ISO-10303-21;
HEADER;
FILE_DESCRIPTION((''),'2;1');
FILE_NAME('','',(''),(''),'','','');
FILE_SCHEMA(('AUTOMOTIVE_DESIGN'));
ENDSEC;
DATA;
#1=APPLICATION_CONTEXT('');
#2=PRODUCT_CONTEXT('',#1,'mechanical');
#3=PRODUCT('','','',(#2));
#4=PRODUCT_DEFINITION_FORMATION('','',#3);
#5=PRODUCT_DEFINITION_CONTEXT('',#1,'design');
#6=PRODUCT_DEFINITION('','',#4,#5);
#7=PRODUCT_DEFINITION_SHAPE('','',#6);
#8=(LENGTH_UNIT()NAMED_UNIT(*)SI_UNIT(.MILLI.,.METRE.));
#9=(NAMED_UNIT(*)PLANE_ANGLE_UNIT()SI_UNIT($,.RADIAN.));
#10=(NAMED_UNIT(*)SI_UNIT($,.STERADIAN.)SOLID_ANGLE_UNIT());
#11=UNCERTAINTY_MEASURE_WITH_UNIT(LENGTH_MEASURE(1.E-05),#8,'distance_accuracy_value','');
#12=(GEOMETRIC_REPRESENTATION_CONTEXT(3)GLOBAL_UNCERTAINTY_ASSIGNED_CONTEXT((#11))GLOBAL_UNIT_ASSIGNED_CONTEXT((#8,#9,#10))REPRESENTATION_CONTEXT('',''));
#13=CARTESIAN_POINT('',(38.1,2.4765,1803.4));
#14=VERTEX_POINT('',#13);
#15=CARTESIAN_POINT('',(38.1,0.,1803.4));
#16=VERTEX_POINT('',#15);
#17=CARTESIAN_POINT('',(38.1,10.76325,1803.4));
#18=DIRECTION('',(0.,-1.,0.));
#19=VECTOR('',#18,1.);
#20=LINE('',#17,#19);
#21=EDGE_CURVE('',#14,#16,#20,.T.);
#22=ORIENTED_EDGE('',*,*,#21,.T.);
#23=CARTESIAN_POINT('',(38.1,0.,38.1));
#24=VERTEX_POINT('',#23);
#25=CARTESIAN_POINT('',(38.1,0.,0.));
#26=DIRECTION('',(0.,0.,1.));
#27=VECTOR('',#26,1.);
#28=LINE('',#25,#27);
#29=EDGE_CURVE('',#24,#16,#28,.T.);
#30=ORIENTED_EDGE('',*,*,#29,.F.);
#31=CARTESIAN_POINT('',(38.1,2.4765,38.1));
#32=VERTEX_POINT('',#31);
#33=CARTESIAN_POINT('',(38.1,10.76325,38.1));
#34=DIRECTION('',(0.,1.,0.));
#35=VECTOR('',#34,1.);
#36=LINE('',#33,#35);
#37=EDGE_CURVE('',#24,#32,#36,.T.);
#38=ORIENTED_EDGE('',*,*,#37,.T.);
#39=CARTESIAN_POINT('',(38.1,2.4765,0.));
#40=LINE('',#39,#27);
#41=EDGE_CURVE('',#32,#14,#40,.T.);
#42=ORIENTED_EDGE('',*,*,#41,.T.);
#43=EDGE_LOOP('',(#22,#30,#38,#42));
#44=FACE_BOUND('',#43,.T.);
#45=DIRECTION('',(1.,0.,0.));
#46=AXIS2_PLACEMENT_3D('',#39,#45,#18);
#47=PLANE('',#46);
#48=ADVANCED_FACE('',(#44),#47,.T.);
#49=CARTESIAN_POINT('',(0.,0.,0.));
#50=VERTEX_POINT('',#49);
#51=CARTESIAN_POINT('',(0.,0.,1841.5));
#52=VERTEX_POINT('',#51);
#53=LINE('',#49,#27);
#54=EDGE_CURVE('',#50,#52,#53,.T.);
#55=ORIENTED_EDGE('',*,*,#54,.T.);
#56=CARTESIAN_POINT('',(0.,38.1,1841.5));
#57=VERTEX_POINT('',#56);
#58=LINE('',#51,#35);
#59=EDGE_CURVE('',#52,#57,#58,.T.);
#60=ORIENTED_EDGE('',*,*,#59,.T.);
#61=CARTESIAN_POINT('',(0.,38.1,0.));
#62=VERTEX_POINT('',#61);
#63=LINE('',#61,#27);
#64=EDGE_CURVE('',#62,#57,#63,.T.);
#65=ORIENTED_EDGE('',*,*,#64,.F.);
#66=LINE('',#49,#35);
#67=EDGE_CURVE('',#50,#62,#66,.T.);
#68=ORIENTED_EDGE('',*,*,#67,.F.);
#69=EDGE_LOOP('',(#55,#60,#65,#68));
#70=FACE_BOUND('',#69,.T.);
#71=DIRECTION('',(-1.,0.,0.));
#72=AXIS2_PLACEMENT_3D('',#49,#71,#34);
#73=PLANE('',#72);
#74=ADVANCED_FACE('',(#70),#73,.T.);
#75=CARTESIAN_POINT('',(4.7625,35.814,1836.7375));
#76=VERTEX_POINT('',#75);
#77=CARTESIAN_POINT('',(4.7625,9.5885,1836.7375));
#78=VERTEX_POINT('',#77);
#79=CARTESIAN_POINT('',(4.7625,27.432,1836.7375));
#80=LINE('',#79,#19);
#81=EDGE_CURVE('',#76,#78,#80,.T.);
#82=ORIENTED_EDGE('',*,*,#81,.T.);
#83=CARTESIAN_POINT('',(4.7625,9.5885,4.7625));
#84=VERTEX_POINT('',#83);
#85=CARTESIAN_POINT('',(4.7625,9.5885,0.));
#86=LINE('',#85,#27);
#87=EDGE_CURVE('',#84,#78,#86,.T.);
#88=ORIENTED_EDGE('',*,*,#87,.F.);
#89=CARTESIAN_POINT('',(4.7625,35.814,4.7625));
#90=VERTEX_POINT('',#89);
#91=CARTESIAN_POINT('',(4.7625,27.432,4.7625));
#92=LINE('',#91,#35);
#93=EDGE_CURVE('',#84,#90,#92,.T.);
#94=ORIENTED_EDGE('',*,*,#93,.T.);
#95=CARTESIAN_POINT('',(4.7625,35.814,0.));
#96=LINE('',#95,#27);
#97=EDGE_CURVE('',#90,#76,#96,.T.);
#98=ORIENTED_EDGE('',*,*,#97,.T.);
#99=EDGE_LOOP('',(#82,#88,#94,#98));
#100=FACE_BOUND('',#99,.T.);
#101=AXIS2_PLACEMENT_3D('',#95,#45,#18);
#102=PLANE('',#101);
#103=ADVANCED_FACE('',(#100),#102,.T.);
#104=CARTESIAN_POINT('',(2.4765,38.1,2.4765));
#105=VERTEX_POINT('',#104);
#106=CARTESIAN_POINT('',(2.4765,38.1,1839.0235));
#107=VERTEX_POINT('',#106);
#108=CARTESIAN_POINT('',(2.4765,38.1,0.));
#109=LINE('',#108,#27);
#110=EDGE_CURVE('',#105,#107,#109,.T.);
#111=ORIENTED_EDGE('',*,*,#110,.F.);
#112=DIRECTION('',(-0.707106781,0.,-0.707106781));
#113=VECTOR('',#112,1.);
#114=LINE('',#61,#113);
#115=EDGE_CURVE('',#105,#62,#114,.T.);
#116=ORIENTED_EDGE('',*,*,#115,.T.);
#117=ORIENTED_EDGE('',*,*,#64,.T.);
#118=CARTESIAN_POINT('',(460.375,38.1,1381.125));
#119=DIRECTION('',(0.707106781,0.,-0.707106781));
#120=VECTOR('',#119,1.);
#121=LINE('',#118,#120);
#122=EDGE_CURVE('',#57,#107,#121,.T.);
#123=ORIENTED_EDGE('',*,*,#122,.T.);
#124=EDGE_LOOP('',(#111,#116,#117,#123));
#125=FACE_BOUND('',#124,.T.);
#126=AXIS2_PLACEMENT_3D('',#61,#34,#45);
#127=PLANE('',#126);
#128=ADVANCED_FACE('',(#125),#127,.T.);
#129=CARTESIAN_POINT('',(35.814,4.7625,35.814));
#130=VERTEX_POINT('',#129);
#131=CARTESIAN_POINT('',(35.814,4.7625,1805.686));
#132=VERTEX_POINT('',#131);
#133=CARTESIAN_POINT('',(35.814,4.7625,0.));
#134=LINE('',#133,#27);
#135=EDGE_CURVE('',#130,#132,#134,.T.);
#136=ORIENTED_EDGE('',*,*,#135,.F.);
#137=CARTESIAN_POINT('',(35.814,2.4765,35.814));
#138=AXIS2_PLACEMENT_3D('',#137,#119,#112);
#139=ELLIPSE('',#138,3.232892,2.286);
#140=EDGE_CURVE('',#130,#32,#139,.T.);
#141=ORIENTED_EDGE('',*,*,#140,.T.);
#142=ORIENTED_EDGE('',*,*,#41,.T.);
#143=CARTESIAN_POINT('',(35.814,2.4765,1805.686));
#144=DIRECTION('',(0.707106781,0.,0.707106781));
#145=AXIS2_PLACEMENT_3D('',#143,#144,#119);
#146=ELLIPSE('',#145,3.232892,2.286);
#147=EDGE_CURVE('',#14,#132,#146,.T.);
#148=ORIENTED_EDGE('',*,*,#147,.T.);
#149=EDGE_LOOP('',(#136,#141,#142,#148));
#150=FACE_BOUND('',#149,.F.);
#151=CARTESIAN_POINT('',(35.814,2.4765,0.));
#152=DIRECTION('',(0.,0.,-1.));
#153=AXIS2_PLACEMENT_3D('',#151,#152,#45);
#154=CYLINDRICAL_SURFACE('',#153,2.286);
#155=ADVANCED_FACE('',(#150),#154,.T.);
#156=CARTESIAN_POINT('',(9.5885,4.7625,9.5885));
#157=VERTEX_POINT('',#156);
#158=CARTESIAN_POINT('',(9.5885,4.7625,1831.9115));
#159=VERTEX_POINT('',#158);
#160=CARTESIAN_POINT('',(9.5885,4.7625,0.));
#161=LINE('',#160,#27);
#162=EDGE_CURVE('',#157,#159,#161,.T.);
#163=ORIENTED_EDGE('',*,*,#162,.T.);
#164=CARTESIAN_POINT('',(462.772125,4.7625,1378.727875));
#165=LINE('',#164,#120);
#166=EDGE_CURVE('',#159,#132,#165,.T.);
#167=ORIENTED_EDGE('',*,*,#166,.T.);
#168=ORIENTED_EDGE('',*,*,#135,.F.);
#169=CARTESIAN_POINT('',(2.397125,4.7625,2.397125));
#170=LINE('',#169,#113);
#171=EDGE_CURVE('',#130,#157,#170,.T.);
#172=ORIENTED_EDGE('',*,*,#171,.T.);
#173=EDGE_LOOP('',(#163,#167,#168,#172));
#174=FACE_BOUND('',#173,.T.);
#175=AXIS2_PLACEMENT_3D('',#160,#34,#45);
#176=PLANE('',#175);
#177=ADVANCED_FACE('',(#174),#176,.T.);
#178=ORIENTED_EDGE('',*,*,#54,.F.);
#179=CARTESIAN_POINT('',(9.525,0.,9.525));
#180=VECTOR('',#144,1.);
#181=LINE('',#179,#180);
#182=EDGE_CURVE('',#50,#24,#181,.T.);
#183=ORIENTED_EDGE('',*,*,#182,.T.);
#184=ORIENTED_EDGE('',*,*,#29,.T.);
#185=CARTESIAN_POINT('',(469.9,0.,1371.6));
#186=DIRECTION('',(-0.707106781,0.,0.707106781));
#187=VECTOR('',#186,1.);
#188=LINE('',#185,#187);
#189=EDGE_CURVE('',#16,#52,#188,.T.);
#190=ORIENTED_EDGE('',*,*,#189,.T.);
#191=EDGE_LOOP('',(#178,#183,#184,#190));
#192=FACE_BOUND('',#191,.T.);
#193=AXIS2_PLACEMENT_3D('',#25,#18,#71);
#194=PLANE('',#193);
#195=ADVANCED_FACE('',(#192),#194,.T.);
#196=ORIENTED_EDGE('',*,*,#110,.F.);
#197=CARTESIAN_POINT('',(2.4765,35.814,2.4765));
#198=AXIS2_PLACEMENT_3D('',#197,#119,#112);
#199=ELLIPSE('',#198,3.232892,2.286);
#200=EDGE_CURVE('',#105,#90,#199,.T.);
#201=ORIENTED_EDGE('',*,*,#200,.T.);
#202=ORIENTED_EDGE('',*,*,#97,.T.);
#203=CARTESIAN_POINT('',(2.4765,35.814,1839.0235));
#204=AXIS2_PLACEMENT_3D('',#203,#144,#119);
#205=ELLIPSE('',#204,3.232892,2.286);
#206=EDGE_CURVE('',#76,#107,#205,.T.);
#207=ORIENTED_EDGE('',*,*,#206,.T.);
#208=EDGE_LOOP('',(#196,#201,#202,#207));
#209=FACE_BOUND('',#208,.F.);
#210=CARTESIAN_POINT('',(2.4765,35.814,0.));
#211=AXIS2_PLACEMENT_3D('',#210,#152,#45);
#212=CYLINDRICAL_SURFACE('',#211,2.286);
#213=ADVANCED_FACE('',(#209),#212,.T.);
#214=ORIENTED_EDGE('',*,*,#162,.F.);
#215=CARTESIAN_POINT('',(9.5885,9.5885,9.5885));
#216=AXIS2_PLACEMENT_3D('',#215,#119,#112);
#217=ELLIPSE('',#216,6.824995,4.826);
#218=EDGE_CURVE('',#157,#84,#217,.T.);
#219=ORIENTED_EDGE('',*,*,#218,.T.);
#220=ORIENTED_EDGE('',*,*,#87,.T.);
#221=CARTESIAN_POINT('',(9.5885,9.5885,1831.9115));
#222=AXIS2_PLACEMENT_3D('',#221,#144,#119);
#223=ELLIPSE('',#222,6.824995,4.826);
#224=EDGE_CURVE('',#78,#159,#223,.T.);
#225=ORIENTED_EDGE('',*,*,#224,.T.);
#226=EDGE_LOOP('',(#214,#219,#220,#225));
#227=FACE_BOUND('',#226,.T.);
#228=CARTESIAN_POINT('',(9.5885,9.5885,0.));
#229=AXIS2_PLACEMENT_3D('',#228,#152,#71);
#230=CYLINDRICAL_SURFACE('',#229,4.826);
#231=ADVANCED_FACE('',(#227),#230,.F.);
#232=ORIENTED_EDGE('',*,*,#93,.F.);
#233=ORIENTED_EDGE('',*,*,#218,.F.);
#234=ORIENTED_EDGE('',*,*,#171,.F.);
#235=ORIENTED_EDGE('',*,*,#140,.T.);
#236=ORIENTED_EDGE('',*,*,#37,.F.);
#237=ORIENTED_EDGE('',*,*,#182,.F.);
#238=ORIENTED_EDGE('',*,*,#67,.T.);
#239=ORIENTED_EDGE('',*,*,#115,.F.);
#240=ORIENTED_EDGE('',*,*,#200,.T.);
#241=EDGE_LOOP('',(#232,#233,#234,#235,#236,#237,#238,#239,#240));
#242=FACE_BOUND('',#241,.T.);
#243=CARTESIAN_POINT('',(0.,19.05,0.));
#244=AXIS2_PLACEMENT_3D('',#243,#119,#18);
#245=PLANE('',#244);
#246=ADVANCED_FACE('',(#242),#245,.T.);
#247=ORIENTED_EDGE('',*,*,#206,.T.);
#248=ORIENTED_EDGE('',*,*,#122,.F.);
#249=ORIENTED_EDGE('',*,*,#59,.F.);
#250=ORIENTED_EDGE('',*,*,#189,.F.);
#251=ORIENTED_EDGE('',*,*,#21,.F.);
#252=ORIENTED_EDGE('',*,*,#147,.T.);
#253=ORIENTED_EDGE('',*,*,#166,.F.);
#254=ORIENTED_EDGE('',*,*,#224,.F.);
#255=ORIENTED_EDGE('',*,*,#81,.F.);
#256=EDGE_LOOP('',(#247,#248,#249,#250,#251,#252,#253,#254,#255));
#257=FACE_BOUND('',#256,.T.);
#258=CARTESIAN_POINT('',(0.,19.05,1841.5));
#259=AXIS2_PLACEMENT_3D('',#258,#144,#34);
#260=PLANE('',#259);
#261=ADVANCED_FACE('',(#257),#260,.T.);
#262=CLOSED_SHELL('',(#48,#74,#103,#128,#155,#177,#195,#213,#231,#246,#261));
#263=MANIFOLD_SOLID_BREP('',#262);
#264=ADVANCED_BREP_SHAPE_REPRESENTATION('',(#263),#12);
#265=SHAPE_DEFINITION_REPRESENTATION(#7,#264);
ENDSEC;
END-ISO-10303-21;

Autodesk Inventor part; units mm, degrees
ref_plane "Start plane" through (0, 0, 0) normal (0, 0, 1) x (1, 0, 0)
ref_plane "End plane" through (0, 0, 1841.5) normal (0, 0, 1) x (1, 0, 0)
sketch "Sketch" plane through (0, 0, 0) normal (0, 0, 1) x (1, 0, 0)
  line L0 (38.1, 0) -> (0, 0)
  line L1 (0, 0) -> (0, 38.1)
  line L2 (0, 38.1) -> (2.4765, 38.1)
  line L3 (4.7625, 35.814) -> (4.7625, 9.5885)
  line L4 (9.5885, 4.7625) -> (35.814, 4.7625)
  line L5 (38.1, 2.4765) -> (38.1, 0)
  line L6 (0, -11.0414) -> (0, 31.5385) construction
  line L7 (-11.0414, 0) -> (31.5385, 0) construction
  arc A0 (4.7625, 9.5885) -> (9.5885, 4.7625) centre (9.5885, 9.5885) ccw
  arc A1 (4.7625, 35.814) -> (2.4765, 38.1) centre (2.4765, 35.814) ccw
  arc A2 (38.1, 2.4765) -> (35.814, 4.7625) centre (35.814, 2.4765) ccw
  line L8 (0, 48.4964) -> (0, -20.9644) construction
  line L9 (-20.9644, 0) -> (48.4964, 0) construction
  point P0 (4.7625, 38.1)
  point P1 (4.7625, 4.7625)
  point P2 (38.1, 4.7625)
  dimension "d0" = 38.1
  dimension "d1" = 38.1
  dimension "d2" = 4.7625
  dimension "d3" = 4.7625
  dimension "d10" = 0
  dimension "d11" = 0
  dimension "d14" = 4.826
  dimension "d15" = 2.286
extrude "Body" add sketch "Sketch" along normal up to surface (1841.5 mm away) from surface at 0
sketch "Sketch3" plane through (0, 0, 0) normal (0, 0, 1) x (1, 0, 0)
  line L0 (0, 0) -> (10, 0)
ref_plane "Work Plane3" through (0, 0, 0) normal (0, -1, 0) x (1, 0, 0)
sketch "Sketch4" plane through (0, 0, 0) normal (0, -1, 0) x (1, 0, 0)
  line L0 (-2, 0) -> (12, 0)
  line L1 (-2, 1841.5) -> (12, 1841.5)
  dimension "d17" = 1841.5
ref_plane "Work Plane4" through (0, 19.05, 1841.5) normal (0.7071, 0, 0.7071) x (0.7071, 0, -0.7071)
split "Split1" plane through (0, 19.05, 1841.5) removes the side toward (0.7071, 0, 0.7071)
ref_plane "Work Plane5" through (0, 19.05, 0) normal (0.7071, 0, -0.7071) x (-0.7071, 0, -0.7071)
split "Split2" plane through (0, 19.05, 0) removes the side toward (0.7071, 0, -0.7071)
equation "\"d0\" = G_H"
equation "\"d1\" = G_H"
equation "\"d2\" = G_T"
equation "\"d3\" = G_T"
equation "\"d14\" = G_IR"
equation "\"d15\" = G_ER"
equation "\"d4\" = G_L"
equation "\"G_H\" = 38.1"
equation "\"G_T\" = 4.7625"
equation "\"G_ER\" = 2.286"
equation "\"G_IR\" = 4.826"
equation "\"G_L\" = d17"
equation "\"ex\" = 0"
equation "\"G_OFFSET_START\" = 0"
equation "\"G_OFFSET_END\" = 0"
equation "\"d13\" = G_OFFSET_END + B_L"
equation "\"B_L\" = 1841.5"
properties part number "AISC - L 1.5 x 1.5 x 3/16 - 72.5" material "Steel, Mild"
